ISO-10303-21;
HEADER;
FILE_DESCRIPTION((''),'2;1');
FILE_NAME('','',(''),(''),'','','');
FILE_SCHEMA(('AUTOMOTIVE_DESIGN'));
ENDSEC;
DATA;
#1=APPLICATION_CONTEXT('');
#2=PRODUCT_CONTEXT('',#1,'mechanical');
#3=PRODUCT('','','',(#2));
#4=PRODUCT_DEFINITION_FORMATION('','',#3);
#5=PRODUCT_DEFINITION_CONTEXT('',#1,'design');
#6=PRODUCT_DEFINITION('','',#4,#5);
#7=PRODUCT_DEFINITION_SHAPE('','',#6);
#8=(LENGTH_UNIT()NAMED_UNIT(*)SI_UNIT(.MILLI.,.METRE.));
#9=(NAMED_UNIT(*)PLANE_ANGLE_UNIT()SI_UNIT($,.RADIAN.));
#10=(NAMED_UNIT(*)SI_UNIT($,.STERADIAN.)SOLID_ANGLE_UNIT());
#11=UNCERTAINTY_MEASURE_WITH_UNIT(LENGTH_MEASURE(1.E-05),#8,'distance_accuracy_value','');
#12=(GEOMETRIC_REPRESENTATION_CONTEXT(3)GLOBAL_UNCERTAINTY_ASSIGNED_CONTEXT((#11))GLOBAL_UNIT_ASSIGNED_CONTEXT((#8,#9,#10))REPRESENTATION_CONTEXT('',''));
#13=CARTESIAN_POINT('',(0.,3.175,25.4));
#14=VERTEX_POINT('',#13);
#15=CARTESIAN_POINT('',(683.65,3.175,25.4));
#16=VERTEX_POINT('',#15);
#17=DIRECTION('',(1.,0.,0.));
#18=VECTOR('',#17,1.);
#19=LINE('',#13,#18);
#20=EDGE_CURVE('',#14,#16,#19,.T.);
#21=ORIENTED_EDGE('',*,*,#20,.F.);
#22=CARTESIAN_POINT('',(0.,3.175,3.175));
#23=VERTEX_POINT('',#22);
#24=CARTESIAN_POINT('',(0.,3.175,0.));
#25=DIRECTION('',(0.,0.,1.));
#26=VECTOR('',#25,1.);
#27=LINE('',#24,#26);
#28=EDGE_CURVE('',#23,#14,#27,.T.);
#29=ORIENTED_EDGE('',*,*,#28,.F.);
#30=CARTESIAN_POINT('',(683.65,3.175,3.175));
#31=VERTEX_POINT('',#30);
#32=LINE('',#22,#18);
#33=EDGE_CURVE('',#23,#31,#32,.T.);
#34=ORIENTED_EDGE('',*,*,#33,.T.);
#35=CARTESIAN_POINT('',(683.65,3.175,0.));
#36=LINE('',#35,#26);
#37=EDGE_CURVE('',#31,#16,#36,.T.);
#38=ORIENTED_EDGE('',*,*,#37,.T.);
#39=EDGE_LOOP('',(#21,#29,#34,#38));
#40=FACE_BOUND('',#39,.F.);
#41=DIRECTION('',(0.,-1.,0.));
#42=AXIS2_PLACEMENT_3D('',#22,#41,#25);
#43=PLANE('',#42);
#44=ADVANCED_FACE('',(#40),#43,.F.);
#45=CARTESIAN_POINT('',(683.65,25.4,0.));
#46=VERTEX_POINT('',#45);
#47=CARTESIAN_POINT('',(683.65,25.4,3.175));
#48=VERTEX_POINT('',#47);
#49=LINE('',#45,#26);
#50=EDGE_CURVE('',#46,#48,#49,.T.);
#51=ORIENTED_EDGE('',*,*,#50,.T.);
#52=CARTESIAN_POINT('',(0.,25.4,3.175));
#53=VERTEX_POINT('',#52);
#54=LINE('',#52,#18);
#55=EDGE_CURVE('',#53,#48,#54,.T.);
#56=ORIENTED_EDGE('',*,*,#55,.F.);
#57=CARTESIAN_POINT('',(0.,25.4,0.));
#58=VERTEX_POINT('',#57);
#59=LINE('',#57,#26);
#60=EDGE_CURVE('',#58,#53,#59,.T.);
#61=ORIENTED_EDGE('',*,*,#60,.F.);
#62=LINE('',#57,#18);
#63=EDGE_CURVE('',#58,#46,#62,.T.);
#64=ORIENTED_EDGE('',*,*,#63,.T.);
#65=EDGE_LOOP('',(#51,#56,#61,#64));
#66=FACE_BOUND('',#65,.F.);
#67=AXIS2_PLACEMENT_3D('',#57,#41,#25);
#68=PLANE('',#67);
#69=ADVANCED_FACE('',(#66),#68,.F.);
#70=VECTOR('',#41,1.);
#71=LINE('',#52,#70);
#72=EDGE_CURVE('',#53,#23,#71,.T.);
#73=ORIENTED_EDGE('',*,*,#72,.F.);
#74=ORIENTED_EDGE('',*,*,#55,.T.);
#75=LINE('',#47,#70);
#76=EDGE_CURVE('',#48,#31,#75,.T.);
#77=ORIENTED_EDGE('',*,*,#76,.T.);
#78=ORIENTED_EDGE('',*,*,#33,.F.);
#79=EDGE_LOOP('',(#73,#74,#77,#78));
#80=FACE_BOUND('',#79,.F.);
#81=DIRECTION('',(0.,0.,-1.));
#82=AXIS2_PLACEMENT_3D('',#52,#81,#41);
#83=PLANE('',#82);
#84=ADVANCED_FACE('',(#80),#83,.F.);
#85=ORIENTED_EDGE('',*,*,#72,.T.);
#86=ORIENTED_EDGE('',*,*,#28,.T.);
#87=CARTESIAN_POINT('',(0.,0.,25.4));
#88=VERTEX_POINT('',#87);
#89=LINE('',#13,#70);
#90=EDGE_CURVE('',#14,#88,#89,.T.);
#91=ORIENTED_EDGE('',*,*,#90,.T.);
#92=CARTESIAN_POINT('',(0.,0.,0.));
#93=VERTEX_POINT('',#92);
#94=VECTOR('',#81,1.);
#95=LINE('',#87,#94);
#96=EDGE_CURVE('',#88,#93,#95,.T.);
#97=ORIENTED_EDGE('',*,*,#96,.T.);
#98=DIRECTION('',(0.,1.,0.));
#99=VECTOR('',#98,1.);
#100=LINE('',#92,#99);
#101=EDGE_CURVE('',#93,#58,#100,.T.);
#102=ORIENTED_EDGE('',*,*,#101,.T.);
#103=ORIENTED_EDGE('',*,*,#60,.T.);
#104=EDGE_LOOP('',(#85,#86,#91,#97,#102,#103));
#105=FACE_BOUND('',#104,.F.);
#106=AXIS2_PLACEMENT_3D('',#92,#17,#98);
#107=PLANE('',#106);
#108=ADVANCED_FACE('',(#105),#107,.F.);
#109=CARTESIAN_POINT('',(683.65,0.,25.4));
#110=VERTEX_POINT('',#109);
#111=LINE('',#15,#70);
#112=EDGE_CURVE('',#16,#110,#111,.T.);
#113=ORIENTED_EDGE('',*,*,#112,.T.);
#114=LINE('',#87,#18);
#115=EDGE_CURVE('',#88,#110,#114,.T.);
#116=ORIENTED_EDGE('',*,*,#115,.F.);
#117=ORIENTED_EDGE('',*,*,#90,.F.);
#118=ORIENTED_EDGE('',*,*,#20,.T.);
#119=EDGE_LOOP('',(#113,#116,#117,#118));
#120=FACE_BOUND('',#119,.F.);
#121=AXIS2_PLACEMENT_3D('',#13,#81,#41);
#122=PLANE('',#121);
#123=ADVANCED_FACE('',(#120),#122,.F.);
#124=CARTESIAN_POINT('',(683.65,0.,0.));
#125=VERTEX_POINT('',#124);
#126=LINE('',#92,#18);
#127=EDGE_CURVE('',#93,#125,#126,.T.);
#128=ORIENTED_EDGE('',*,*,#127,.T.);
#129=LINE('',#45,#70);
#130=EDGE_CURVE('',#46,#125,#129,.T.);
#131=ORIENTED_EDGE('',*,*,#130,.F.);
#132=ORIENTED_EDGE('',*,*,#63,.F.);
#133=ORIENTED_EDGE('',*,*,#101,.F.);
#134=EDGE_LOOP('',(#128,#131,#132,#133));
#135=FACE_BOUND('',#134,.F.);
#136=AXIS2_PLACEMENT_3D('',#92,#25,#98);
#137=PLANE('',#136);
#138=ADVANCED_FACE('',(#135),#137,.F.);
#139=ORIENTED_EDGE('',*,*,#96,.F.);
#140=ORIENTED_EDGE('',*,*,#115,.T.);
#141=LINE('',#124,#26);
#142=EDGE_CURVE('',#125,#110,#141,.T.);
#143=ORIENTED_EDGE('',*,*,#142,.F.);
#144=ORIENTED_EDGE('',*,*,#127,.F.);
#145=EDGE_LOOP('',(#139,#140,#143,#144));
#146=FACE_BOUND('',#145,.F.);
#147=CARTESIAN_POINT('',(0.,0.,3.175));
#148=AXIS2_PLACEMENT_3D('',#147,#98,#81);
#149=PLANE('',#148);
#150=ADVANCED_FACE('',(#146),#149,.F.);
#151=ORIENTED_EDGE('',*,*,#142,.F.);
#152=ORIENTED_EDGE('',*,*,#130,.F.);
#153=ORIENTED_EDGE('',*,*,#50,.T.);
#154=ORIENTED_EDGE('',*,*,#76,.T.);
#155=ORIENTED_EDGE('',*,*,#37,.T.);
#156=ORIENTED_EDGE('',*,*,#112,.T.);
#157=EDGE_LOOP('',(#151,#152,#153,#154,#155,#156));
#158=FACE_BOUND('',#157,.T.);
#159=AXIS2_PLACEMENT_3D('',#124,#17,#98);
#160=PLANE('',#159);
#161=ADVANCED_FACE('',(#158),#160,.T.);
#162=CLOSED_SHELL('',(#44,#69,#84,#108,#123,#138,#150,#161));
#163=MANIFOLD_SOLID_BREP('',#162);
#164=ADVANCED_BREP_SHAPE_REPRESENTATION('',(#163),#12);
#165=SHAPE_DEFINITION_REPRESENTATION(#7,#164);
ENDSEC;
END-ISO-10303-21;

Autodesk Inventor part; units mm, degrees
ref_plane "YZ Plane" through (0, 0, 0) normal (1, 0, 0) x (0, 1, 0)
ref_plane "XZ Plane" through (0, 0, 0) normal (0, 1, 0) x (-1, 0, 0)
ref_plane "XY Plane" through (0, 0, 0) normal (0, 0, 1) x (1, 0, 0)
sketch "Sketch1" plane through (0, 0, 0) normal (1, 0, 0) x (0, 1, 0)
  line L0 (0, 0) -> (25.4, 0)
  line L1 (25.4, 0) -> (25.4, 3.175)
  line L2 (25.4, 3.175) -> (0, 3.175)
  line L3 (0, 3.175) -> (0, 0)
  line L4 (0, 0) -> (3.175, 0)
  line L5 (3.175, 0) -> (3.175, 25.4)
  line L6 (3.175, 25.4) -> (0, 25.4)
  line L7 (0, 25.4) -> (0, 0)
  point P0 (3.175, 3.175)
  dimension "d0" = 25.4
  dimension "d1" = 3.175
  dimension "d2" = 3.175
  dimension "d3" = 25.4
extrude "Extrusion1" add sketch "Sketch1" along normal blind 683.65
properties part number "PERFIL_SOPORTE DE CILINDRO"
